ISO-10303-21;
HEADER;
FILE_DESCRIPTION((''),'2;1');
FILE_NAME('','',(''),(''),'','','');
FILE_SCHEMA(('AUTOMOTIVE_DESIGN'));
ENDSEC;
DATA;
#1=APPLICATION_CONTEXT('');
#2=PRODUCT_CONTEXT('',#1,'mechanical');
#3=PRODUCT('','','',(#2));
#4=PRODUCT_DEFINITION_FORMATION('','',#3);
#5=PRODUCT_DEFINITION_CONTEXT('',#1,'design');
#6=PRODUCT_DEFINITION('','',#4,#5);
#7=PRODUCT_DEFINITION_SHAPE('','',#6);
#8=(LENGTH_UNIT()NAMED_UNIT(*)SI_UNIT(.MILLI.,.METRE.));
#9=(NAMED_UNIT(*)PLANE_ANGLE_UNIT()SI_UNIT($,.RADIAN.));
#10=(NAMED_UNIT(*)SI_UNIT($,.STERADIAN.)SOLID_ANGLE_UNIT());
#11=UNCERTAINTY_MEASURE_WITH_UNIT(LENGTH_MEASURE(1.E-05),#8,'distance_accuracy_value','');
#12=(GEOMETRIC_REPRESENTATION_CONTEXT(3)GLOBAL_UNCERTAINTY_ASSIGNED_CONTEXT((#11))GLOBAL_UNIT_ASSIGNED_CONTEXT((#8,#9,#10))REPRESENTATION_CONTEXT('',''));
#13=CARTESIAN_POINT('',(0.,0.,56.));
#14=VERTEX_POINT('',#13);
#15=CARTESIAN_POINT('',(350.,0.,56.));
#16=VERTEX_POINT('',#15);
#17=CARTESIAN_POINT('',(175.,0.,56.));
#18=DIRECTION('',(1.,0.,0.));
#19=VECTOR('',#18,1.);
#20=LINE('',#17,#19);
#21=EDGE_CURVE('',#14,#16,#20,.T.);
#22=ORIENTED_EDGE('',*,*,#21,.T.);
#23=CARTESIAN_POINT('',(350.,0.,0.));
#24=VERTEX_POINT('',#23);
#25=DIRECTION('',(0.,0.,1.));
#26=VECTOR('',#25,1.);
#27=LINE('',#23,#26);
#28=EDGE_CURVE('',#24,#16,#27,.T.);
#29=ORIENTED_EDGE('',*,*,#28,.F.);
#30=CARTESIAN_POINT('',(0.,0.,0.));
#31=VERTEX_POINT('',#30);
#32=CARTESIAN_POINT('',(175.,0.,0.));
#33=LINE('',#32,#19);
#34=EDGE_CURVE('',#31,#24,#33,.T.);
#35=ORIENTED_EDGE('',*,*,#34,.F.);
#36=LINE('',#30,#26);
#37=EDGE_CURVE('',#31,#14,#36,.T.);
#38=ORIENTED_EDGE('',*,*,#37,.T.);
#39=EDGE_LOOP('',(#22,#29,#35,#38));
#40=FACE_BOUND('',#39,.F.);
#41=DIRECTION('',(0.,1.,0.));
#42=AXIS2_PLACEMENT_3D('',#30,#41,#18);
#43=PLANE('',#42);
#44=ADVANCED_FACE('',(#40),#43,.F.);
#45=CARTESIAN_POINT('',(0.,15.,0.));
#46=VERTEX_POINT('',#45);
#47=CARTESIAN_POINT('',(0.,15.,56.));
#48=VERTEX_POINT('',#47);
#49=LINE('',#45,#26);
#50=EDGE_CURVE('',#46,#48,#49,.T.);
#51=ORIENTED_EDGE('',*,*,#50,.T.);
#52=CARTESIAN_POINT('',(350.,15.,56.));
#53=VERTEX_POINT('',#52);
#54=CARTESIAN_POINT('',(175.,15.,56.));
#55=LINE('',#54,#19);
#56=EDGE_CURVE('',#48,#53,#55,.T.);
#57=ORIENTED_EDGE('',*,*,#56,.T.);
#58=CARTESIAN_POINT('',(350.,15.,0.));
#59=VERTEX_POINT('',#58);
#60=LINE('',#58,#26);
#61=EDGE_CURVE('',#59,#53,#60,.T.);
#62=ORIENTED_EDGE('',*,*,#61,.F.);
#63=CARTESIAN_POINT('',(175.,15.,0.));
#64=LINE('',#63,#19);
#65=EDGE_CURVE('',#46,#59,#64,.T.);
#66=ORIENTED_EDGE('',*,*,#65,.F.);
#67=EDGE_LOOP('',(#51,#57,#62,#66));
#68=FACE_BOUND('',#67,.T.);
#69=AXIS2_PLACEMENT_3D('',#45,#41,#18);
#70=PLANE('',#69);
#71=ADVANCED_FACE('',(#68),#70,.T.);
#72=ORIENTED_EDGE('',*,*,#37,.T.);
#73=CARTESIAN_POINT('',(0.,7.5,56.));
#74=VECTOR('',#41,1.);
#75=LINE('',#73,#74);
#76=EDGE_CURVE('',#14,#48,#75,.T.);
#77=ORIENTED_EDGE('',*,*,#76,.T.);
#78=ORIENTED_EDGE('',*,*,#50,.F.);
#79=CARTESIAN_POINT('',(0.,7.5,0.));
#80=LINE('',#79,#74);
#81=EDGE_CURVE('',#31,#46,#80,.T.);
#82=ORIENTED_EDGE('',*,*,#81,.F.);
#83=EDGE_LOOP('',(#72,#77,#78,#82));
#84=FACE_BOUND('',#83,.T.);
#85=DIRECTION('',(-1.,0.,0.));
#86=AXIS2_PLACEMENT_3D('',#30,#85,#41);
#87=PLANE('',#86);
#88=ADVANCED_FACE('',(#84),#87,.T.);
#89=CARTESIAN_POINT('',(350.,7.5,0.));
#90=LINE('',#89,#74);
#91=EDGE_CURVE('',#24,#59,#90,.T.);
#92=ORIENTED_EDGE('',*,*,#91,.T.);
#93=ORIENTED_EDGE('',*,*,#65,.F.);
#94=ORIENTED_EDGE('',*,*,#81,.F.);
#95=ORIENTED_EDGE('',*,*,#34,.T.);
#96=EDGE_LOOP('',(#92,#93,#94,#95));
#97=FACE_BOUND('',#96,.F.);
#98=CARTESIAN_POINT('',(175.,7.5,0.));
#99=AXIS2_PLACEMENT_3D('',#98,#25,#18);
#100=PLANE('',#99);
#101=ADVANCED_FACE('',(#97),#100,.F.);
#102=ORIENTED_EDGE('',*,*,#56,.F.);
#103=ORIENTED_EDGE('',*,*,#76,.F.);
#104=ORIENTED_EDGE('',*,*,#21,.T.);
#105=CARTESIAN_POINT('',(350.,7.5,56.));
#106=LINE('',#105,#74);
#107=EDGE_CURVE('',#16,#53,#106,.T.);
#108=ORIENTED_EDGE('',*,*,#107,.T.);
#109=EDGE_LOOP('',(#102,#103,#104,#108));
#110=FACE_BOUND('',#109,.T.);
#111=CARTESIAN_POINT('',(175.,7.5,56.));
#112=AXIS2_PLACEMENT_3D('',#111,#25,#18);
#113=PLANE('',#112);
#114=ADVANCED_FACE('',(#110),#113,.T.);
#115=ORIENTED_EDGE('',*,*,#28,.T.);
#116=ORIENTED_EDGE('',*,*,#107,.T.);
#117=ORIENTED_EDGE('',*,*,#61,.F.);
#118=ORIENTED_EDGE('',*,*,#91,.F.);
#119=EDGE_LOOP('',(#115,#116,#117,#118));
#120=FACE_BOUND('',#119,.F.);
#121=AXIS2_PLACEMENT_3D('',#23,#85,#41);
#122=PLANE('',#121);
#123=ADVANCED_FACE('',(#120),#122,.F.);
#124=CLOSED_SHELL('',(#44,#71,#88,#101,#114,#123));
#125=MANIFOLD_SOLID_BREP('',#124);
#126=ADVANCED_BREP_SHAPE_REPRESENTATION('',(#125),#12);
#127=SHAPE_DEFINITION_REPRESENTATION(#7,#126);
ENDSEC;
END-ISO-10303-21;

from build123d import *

# Parameters (mm, degrees)
SKETCH_W  = 350
SKETCH_H  = 15
PAD_DEPTH = 56


with BuildPart() as part:
    # Sketch → Pad (new body)
    with BuildSketch(Plane.XY):
        with Locations((175, 7.5)):
            Rectangle(SKETCH_W, SKETCH_H)
    extrude(amount=PAD_DEPTH)


solid = part.part
